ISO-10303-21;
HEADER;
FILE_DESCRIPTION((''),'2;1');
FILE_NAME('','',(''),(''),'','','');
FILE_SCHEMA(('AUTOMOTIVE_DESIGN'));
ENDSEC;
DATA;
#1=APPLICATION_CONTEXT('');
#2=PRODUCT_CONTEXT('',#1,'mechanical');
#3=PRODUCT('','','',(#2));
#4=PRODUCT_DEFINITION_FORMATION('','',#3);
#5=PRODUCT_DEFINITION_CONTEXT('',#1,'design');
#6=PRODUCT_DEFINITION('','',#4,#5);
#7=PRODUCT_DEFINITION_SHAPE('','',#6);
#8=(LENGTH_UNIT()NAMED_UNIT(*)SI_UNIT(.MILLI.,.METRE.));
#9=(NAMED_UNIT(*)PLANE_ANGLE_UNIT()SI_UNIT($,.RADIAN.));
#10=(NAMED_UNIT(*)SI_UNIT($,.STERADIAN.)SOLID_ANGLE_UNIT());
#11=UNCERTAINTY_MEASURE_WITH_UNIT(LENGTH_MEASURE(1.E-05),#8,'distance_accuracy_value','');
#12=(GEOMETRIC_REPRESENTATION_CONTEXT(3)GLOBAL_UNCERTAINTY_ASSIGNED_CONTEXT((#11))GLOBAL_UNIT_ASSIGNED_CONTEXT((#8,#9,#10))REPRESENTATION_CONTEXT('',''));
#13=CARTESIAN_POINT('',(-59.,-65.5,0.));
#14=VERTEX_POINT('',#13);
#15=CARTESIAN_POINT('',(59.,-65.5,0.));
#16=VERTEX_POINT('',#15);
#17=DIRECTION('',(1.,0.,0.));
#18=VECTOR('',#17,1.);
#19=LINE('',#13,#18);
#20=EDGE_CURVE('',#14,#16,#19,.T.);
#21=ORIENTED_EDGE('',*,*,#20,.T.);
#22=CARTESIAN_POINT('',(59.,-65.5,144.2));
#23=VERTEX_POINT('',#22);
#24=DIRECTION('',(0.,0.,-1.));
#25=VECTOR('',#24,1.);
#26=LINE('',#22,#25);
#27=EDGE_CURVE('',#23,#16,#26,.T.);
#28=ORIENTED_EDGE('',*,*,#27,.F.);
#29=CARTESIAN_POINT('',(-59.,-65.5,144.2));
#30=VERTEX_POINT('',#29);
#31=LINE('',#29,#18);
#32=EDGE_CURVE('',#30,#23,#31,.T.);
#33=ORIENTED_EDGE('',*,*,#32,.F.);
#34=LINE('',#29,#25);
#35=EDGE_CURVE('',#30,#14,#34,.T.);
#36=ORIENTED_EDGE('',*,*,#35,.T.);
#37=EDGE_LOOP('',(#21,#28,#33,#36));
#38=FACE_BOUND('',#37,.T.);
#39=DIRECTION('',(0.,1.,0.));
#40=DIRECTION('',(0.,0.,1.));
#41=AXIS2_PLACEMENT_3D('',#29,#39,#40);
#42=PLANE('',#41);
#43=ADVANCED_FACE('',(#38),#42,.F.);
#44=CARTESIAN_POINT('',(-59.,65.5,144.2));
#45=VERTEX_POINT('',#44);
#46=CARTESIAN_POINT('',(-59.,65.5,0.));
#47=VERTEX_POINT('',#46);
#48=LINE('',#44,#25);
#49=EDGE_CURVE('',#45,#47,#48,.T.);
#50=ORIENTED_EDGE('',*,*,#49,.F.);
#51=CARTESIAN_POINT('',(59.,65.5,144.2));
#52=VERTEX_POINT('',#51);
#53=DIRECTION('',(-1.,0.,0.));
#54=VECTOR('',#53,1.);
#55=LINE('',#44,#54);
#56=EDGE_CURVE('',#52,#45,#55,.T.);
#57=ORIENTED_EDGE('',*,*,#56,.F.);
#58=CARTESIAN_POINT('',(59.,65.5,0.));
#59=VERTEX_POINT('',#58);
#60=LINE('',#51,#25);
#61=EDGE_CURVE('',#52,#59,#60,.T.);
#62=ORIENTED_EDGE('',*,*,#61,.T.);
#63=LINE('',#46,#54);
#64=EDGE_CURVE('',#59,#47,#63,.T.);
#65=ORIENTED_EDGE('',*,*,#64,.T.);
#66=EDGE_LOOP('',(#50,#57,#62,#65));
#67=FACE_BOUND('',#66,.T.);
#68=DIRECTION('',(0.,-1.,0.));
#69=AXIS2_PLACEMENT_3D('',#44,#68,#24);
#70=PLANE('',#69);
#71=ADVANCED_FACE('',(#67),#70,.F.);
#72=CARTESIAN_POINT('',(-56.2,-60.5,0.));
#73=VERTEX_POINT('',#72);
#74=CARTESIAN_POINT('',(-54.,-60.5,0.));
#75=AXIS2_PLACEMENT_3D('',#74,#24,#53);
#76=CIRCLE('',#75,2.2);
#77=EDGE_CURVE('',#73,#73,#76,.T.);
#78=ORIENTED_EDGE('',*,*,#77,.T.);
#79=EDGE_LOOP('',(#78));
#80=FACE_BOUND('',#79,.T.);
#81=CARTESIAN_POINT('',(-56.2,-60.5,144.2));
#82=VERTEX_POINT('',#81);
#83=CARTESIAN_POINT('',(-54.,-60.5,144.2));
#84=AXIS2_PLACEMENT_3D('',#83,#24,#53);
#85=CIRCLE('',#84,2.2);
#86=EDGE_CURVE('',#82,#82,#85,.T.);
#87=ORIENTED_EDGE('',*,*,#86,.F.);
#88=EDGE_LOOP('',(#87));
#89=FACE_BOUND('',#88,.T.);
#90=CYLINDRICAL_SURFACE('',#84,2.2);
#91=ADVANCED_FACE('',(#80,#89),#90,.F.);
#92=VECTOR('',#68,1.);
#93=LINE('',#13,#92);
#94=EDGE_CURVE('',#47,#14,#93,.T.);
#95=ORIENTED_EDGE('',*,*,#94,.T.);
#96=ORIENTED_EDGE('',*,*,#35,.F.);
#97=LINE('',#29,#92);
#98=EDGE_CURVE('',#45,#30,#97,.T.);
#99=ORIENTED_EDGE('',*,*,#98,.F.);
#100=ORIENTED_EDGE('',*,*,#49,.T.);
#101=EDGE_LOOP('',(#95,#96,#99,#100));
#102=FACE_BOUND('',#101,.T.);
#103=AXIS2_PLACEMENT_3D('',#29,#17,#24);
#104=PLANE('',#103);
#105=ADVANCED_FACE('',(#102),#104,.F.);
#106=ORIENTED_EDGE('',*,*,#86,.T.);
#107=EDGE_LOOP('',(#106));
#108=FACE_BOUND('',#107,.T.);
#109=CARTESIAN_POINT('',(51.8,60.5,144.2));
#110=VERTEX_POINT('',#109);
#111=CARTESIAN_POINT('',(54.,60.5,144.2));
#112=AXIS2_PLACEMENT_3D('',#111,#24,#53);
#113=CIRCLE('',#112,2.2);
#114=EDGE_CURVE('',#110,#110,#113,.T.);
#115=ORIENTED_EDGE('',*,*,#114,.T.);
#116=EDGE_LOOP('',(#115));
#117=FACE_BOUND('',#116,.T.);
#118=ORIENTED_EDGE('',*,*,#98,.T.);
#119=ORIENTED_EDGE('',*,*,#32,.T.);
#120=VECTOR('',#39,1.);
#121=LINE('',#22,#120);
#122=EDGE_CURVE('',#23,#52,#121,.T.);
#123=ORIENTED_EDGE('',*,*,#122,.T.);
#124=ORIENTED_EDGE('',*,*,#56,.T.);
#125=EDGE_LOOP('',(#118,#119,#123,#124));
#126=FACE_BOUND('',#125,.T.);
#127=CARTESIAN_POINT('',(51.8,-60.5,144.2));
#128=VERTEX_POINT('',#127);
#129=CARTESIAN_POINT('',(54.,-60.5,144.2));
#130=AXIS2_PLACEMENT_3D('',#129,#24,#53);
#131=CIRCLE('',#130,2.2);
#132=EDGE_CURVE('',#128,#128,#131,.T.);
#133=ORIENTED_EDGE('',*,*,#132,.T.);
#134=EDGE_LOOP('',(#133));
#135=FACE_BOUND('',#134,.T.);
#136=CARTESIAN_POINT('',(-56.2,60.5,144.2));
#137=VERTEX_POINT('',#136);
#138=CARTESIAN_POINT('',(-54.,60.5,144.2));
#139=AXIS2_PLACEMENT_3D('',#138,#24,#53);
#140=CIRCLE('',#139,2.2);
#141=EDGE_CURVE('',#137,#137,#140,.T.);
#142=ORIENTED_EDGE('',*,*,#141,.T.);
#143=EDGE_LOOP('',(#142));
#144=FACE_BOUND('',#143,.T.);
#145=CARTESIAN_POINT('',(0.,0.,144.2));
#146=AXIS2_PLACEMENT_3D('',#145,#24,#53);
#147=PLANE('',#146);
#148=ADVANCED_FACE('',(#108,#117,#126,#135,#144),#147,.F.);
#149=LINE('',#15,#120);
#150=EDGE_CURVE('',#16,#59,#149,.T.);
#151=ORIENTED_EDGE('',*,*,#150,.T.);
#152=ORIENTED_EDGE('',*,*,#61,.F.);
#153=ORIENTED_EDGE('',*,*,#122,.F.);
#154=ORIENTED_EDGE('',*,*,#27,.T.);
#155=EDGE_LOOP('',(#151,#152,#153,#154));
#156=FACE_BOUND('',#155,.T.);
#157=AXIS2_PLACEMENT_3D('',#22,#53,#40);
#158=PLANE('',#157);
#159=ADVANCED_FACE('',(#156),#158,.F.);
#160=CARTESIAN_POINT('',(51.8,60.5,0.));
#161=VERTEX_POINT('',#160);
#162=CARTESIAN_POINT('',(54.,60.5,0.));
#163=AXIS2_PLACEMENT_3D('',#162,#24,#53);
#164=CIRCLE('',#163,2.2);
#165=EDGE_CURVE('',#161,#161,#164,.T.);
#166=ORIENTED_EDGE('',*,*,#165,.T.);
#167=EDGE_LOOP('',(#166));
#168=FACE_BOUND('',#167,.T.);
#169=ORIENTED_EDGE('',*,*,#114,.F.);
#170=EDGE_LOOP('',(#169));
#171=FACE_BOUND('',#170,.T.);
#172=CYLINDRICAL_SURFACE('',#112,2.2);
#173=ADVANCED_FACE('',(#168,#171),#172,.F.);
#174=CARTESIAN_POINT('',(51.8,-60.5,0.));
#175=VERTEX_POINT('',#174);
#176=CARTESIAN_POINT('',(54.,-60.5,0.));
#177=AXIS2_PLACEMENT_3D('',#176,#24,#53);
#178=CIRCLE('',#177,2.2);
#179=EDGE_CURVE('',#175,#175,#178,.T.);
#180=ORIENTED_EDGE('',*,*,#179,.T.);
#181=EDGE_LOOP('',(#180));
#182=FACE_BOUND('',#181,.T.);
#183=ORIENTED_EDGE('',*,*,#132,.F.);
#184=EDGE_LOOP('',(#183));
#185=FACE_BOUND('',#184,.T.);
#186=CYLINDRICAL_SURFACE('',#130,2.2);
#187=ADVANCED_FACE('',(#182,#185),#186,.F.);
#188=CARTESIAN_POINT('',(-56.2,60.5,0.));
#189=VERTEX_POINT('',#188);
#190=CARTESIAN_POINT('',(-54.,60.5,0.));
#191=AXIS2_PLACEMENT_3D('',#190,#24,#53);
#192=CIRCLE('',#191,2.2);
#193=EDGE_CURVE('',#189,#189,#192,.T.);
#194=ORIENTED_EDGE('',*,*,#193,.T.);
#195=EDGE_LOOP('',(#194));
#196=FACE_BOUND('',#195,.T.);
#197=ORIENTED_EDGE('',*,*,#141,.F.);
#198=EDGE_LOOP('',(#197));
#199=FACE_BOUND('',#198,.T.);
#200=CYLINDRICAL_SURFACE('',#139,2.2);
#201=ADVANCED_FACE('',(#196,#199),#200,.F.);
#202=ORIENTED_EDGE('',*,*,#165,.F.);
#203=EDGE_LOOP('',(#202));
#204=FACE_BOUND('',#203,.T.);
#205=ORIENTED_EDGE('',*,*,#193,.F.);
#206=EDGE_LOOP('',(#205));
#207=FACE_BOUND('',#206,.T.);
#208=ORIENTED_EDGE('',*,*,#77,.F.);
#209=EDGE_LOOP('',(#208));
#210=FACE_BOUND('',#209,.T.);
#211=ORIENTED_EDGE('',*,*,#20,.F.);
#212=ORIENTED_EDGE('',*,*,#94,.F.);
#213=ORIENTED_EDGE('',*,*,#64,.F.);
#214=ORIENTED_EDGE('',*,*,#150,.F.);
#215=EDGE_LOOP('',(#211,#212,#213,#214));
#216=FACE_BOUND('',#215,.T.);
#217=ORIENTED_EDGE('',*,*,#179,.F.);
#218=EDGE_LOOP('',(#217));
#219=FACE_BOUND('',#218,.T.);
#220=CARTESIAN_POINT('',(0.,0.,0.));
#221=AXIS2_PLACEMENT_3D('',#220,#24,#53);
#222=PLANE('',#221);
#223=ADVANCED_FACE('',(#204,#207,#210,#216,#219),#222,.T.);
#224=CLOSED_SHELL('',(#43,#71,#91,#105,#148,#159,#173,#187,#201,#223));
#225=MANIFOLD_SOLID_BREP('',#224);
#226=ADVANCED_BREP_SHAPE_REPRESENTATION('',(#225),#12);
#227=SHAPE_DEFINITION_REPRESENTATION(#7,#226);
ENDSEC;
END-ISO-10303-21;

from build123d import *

# Parameters (mm, degrees)
SKETCH1_W           = 118
SKETCH1_H           = 131
BOSS_EXTRUDE1_DEPTH = 144.2
SKETCH2_R           = 2.2
CUT_EXTRUDE1_DEPTH  = 145.2


with BuildPart() as part:
    # Sketch1 → Boss-Extrude1 (new body)
    with BuildSketch(Plane.XY):
        Rectangle(SKETCH1_W, SKETCH1_H)
    extrude(amount=BOSS_EXTRUDE1_DEPTH)

    # Sketch2 → Cut-Extrude1 (cut, through all)
    with BuildSketch(Plane(origin=(0, 0, 0), x_dir=(-1, 0, 0), z_dir=(0, 0, -1))):
        with Locations((-54, 60.5)):
            Circle(SKETCH2_R)
        with Locations((54, 60.5)):
            Circle(SKETCH2_R)
        with Locations((54, -60.5)):
            Circle(SKETCH2_R)
        with Locations((-54, -60.5)):
            Circle(SKETCH2_R)
    extrude(amount=-CUT_EXTRUDE1_DEPTH, mode=Mode.SUBTRACT)


solid = part.part
